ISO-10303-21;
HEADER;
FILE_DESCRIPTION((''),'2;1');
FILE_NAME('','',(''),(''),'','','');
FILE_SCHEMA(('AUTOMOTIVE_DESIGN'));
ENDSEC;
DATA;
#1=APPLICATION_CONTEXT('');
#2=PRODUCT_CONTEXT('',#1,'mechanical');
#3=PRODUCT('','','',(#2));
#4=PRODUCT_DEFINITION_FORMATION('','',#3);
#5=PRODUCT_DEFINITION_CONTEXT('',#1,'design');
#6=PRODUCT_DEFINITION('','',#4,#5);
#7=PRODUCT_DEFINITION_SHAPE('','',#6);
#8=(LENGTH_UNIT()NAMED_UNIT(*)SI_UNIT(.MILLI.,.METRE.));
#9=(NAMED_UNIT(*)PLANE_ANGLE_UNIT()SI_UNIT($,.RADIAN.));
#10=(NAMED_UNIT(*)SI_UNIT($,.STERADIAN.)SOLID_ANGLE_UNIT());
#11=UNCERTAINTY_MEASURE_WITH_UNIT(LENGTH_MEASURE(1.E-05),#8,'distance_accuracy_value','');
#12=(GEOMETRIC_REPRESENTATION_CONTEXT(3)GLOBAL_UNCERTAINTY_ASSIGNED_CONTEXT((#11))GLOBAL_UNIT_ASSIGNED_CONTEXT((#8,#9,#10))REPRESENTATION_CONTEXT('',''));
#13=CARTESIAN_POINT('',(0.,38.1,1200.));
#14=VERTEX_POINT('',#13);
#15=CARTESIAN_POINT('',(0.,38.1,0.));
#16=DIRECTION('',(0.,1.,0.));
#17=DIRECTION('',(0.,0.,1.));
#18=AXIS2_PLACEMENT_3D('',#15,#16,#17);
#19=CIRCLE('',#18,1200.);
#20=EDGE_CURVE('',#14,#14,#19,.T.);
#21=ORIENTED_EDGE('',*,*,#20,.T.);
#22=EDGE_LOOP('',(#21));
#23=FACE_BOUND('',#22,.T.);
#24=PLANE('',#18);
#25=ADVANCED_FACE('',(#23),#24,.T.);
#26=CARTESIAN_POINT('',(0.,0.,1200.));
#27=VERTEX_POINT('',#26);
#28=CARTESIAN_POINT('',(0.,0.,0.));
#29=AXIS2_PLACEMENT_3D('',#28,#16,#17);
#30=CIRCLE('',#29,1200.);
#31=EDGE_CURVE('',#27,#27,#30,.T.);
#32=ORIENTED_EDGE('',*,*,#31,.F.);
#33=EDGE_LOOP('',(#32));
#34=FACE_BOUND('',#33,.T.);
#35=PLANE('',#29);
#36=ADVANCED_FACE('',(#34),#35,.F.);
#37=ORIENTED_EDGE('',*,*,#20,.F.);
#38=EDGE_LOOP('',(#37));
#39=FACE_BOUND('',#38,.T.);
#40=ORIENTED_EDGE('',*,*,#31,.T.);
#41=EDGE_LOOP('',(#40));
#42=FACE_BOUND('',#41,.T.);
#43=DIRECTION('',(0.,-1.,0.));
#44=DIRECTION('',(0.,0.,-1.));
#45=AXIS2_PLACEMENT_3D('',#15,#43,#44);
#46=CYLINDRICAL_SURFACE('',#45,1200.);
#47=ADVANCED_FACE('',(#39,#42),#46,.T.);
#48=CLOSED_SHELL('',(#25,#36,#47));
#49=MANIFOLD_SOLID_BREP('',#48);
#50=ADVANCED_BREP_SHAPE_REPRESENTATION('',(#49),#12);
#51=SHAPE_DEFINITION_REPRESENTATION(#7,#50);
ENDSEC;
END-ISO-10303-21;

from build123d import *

# Parameters (mm, degrees)
SKETCH1_R           = 1200
BOSS_EXTRUDE1_DEPTH = 38.1


with BuildPart() as part:
    # Sketch1 → Boss-Extrude1 (new body)
    with BuildSketch(Plane(origin=(0, 0, 0), x_dir=(1, 0, 0), z_dir=(0, 1, 0))):
        Circle(SKETCH1_R)
    extrude(amount=BOSS_EXTRUDE1_DEPTH)


solid = part.part
